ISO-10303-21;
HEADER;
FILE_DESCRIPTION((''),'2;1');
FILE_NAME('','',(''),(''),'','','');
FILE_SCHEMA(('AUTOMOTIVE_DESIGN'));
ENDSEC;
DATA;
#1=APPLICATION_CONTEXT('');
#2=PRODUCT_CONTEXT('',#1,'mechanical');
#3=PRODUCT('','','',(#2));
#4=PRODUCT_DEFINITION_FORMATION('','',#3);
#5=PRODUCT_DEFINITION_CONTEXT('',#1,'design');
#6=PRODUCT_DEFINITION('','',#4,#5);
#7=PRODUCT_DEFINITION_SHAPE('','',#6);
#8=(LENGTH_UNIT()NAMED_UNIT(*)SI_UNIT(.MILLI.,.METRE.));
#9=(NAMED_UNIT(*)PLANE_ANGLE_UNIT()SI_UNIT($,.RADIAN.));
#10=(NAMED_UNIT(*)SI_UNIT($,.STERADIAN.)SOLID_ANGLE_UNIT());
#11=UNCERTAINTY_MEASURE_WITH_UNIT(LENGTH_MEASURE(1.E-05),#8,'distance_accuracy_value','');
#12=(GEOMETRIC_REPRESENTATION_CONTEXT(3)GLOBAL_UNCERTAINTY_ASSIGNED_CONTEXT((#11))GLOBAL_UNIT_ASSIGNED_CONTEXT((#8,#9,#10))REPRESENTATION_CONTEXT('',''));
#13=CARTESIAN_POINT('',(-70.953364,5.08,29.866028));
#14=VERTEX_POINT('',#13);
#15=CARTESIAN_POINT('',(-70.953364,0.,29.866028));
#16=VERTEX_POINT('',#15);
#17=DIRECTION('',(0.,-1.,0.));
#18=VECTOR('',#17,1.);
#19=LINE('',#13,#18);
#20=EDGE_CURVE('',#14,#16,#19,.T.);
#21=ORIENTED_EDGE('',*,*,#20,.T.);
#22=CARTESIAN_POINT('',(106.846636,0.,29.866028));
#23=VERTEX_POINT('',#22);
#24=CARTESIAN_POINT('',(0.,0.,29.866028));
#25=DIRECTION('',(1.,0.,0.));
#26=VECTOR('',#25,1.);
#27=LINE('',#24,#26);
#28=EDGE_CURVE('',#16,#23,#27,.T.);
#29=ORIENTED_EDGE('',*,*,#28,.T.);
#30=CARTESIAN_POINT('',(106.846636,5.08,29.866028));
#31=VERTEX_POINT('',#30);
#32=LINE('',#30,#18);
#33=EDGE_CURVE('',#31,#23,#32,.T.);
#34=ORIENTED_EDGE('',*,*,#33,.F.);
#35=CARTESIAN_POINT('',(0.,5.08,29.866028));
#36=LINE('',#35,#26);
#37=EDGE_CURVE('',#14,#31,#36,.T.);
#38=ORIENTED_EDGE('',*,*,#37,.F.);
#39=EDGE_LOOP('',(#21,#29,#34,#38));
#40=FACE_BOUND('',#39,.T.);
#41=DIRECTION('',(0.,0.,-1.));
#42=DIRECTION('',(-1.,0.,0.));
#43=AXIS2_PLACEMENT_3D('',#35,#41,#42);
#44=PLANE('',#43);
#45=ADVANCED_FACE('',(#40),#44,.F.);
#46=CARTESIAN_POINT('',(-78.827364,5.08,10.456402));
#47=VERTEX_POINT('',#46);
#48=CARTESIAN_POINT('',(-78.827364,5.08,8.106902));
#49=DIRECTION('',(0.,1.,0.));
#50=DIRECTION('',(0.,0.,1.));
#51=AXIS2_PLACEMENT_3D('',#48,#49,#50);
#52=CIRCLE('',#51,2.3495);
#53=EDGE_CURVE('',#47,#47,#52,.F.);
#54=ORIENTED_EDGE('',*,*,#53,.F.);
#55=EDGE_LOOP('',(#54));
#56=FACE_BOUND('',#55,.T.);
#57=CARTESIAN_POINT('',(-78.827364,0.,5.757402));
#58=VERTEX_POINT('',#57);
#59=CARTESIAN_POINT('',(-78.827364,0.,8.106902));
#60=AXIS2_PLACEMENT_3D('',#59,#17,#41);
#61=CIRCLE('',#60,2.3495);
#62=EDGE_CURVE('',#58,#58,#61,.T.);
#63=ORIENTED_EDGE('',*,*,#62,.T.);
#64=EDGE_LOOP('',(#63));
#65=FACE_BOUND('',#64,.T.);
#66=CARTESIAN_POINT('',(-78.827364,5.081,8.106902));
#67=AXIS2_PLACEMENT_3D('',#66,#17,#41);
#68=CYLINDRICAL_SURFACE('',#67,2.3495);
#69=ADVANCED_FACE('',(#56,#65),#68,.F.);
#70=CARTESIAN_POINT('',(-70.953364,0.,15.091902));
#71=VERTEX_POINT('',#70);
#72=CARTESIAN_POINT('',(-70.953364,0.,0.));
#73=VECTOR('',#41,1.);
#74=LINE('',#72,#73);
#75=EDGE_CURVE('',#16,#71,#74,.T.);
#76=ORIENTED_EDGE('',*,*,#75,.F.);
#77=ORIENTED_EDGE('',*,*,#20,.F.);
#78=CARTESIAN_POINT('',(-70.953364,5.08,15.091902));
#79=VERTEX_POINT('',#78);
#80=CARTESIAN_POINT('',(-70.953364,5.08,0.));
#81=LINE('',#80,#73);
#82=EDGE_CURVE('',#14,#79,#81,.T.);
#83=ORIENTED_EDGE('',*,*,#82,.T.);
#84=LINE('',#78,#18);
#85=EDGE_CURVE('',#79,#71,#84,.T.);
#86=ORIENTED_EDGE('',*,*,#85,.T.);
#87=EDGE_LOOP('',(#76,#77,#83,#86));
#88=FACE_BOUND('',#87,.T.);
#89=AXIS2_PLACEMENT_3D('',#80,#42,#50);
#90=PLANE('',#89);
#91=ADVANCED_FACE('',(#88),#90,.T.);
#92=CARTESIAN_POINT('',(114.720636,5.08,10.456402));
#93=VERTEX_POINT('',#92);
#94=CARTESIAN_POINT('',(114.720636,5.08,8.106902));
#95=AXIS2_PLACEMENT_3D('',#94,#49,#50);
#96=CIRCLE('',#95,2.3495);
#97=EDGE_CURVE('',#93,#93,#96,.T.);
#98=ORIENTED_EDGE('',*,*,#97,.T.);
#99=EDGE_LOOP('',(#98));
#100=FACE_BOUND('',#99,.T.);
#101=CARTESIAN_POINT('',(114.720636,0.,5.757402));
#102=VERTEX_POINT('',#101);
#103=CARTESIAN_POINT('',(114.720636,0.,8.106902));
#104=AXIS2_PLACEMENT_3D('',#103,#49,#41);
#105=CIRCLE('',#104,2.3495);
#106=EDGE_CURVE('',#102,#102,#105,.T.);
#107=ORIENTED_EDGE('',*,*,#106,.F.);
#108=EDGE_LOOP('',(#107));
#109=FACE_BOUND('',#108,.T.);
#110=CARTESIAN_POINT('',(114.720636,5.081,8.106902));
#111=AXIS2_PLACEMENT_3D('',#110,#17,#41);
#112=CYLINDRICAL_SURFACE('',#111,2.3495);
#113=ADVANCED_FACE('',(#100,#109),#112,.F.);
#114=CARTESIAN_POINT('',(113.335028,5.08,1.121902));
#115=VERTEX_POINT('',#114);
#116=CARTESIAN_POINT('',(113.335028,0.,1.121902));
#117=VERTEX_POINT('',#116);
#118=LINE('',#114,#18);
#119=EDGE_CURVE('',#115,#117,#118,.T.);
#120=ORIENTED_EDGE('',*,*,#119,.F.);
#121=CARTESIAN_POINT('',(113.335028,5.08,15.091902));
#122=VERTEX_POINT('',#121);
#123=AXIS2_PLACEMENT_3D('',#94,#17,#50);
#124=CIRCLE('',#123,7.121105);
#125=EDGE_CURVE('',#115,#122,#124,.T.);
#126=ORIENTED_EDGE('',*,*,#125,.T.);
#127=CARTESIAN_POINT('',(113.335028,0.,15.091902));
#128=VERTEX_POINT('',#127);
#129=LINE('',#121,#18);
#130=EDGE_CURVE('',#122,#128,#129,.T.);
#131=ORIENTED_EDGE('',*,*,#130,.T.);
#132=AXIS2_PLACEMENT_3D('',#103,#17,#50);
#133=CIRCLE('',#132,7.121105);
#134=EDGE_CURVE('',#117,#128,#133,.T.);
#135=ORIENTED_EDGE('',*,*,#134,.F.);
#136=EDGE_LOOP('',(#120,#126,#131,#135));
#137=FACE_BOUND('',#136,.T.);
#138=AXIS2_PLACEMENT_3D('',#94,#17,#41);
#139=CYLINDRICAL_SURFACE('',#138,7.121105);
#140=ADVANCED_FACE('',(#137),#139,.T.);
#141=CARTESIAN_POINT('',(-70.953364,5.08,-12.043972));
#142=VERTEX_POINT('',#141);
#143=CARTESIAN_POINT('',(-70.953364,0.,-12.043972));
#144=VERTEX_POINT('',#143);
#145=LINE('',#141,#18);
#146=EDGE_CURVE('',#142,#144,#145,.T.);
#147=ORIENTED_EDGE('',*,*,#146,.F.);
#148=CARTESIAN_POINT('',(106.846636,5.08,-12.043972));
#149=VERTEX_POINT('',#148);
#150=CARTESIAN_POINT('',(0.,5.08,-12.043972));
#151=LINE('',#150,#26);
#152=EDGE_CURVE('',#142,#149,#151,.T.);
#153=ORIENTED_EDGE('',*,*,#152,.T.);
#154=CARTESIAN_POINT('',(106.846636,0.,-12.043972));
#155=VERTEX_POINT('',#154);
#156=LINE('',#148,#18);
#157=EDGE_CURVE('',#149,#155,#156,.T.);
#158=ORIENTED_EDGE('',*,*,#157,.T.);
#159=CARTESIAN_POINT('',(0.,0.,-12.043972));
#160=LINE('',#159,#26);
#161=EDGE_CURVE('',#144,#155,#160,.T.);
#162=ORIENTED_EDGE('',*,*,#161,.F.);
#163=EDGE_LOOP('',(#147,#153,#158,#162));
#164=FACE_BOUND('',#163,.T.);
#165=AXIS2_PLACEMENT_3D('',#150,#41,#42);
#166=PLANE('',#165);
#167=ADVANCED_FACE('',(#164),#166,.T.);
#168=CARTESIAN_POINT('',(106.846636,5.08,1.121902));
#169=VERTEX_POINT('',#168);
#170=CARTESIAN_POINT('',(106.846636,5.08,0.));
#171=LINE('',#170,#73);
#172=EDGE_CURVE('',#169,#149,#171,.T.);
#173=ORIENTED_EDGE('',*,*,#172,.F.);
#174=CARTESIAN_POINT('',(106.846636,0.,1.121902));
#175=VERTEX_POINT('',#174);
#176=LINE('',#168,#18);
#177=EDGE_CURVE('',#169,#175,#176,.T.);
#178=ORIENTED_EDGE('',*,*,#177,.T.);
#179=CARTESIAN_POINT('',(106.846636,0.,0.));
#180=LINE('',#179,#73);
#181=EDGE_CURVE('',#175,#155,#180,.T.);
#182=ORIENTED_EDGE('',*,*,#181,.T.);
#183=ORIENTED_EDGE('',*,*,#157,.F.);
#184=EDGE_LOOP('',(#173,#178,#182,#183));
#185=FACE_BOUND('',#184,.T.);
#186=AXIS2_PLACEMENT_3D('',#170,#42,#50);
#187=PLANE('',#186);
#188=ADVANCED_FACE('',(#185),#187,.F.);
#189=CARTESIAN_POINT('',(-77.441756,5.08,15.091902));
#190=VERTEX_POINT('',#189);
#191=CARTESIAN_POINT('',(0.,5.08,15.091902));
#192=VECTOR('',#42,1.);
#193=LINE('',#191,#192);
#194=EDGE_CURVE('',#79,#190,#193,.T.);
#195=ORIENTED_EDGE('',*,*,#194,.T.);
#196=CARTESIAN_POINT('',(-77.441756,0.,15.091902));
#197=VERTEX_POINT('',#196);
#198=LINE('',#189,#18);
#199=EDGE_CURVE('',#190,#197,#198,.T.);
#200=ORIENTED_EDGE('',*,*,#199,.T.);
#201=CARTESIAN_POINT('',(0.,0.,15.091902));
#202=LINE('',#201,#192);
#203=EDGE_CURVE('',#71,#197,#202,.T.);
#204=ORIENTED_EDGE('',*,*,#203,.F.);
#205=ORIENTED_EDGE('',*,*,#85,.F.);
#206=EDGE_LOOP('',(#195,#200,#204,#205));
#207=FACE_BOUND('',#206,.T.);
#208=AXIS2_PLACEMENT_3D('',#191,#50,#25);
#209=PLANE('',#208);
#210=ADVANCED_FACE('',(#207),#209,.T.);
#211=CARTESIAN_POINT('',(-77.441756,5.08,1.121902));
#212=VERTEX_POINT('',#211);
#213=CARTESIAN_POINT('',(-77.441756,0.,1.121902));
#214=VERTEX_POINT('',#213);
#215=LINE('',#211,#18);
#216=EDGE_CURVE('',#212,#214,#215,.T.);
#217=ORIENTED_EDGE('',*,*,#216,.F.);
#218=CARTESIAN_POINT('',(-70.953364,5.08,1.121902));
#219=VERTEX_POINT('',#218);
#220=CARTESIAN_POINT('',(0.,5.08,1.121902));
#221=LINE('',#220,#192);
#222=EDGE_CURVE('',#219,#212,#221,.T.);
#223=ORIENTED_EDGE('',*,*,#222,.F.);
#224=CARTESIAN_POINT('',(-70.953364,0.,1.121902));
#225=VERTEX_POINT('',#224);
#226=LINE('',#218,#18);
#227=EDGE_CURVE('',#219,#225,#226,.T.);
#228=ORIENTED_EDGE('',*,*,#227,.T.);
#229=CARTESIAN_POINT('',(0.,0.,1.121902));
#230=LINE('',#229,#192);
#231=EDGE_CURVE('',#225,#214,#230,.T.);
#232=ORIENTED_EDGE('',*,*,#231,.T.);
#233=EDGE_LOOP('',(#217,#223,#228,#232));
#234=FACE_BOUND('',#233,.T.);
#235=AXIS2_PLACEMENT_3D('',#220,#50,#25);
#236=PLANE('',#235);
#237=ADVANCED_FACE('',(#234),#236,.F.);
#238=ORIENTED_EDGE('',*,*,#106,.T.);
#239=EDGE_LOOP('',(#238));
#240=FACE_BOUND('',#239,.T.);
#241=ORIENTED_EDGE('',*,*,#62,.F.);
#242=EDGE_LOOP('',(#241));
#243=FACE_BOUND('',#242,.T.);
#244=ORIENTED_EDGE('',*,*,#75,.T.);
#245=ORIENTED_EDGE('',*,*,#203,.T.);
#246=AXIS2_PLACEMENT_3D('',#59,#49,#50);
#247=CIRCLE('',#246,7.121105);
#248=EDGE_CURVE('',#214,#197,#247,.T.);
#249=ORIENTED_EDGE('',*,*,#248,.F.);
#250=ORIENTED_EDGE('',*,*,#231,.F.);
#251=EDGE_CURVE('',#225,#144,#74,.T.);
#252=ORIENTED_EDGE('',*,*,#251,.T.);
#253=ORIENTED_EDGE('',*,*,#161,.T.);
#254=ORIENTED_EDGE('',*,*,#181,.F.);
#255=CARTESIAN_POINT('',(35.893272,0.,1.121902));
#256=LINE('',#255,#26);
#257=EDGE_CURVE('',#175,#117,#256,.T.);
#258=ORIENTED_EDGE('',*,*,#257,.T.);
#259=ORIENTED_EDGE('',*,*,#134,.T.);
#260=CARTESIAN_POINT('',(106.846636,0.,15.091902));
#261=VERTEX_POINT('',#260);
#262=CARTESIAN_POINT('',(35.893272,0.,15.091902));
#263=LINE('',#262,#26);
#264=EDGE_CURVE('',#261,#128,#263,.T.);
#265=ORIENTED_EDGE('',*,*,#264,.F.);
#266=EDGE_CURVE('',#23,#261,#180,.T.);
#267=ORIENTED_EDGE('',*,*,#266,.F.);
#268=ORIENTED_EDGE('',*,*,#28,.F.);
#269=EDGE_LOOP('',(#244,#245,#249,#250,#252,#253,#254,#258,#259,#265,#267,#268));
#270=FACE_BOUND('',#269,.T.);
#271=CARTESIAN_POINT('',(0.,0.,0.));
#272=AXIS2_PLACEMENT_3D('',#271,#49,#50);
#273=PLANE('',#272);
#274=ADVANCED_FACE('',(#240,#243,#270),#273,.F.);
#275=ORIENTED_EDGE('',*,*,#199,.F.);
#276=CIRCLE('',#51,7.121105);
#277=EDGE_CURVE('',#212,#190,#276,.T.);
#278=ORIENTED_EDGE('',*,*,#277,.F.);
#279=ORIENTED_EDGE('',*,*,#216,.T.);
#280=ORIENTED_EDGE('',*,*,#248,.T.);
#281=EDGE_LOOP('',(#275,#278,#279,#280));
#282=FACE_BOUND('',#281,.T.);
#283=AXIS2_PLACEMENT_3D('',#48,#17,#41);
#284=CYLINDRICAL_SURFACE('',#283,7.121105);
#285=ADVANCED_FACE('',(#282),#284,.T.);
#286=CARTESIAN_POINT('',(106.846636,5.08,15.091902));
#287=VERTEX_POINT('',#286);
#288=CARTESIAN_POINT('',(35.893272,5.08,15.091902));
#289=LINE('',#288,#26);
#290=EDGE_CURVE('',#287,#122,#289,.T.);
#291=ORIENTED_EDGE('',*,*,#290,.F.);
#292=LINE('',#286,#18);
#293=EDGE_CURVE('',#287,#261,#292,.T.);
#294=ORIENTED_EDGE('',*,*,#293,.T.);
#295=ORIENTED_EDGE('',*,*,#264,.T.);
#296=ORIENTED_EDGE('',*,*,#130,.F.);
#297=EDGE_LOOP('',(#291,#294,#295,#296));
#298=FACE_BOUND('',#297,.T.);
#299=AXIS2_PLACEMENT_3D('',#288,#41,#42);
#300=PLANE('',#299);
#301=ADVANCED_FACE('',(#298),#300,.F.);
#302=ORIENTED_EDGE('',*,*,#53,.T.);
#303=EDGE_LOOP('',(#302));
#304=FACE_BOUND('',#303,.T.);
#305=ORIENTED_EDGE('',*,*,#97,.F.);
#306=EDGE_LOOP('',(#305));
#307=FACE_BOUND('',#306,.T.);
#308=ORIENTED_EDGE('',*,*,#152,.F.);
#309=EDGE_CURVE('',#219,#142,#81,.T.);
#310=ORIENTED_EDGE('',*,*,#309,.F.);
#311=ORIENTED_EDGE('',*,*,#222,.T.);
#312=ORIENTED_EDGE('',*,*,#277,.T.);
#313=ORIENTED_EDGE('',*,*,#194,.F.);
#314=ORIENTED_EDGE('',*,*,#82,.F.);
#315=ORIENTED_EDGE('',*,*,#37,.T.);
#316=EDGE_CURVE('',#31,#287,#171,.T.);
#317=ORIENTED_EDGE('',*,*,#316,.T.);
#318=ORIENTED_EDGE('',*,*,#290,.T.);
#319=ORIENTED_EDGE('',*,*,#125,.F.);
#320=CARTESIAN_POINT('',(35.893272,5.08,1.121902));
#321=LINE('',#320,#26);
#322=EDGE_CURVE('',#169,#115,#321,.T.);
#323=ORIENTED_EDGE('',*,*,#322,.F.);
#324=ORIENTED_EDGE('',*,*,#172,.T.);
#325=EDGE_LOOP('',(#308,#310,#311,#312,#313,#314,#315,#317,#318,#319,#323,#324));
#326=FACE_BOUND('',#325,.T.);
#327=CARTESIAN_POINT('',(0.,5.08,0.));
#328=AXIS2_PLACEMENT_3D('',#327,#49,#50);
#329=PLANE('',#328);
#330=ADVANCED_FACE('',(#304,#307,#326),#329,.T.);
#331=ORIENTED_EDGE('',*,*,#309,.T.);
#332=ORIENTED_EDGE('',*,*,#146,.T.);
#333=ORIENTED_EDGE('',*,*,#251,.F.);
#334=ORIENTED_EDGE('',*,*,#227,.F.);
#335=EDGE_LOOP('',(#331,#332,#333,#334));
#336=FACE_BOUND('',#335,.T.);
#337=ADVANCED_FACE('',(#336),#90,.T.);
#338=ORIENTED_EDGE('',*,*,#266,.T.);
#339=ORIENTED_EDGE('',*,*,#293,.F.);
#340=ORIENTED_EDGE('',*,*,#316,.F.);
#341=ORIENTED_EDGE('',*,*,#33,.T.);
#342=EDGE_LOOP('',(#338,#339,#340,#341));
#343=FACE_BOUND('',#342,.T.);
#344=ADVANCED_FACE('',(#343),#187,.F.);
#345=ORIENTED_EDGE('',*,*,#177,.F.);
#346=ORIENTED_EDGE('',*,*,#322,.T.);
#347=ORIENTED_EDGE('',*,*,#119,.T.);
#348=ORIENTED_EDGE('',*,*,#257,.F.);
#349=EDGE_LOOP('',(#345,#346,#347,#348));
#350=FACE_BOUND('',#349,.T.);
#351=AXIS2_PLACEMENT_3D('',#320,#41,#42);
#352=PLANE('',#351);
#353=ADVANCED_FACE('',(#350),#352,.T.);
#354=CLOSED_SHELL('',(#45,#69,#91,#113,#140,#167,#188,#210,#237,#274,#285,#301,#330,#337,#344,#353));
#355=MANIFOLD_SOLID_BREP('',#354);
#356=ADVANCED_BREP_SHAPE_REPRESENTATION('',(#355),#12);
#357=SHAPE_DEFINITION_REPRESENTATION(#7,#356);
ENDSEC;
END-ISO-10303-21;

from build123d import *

# Parameters (mm, degrees)
SKETCH1_W           = 88.9
SKETCH1_H           = 41.91
BOSS_EXTRUDE1_DEPTH = 5.08
CUT_EXTRUDE1_REACH  = 93.131
SKETCH2_R           = 2.3495


with BuildPart() as part:
    # Sketch1 → Boss-Extrude1 (new body)
    with BuildSketch(Plane(origin=(0, 0, 0), x_dir=(1, 0, 0), z_dir=(0, 1, 0))):
        with BuildLine():
            ThreePointArc((-77.441755774, -1.121902455), (-85.948469046, -8.106902455), (-77.441755774, -15.091902455))
            Line((-77.441755774, -15.091902455), (-78.827364113, -15.091902455))
            Line((-78.827364113, -15.091902455), (-78.827364113, -1.121902455))
            Line((-78.827364113, -1.121902455), (-77.441755774, -1.121902455))
        make_face()
        with BuildLine():
            Line((-78.827364113, -15.091902455), (-77.441755774, -15.091902455))
            ThreePointArc((-77.441755774, -15.091902455), (-73.323856239, -12.625921878), (-71.70625918, -8.106902455))
            ThreePointArc((-71.70625918, -8.106902455), (-73.323856239, -3.587883032), (-77.441755774, -1.121902455))
            Line((-77.441755774, -1.121902455), (-78.827364113, -1.121902455))
            Line((-78.827364113, -1.121902455), (-78.827364113, -15.091902455))
        make_face()
        with BuildLine():
            Line((-77.441755774, -15.091902455), (-70.953364113, -15.091902455))
            Line((-70.953364113, -15.091902455), (-70.953364113, -1.121902455))
            Line((-70.953364113, -1.121902455), (-77.441755774, -1.121902455))
            ThreePointArc((-77.441755774, -1.121902455), (-73.323856239, -3.587883032), (-71.70625918, -8.106902455))
            ThreePointArc((-71.70625918, -8.106902455), (-73.323856239, -12.625921878), (-77.441755774, -15.091902455))
        make_face()
        with Locations((-26.503364113, -8.911027969)):
            Rectangle(SKETCH1_W, SKETCH1_H)
    boss_extrude1 = extrude(amount=BOSS_EXTRUDE1_DEPTH)

    # Sketch2 → Cut-Extrude1 (cut, up to next)
    with BuildSketch(Plane(origin=(0, 0, 0), x_dir=(-1, 0, 0), z_dir=(0, -1, 0)), mode=Mode.PRIVATE) as cut_extrude1_sk1:
        with Locations(Location((78.827364113, -8.106902455, 0), (0, 0, 90))):
            Circle(SKETCH2_R)
    cut_extrude1_tool1 = extrude(cut_extrude1_sk1.sketch, amount=-CUT_EXTRUDE1_REACH, mode=Mode.PRIVATE) & part.part
    cut_extrude1 = cut_extrude1_tool1.solids().sort_by_distance((-78.827364, 0, 8.106902))[0]
    add(cut_extrude1, mode=Mode.SUBTRACT)

    # Mirror2: Boss-Extrude1, Cut-Extrude1 across plane
    add(boss_extrude1.mirror(Plane(origin=(17.946635887, 5.08, 0), x_dir=(0, 0, 1), z_dir=(-1, 0, 0))))
    add(cut_extrude1.mirror(Plane(origin=(17.946635887, 5.08, 0), x_dir=(0, 0, 1), z_dir=(-1, 0, 0))), mode=Mode.SUBTRACT)


solid = part.part
